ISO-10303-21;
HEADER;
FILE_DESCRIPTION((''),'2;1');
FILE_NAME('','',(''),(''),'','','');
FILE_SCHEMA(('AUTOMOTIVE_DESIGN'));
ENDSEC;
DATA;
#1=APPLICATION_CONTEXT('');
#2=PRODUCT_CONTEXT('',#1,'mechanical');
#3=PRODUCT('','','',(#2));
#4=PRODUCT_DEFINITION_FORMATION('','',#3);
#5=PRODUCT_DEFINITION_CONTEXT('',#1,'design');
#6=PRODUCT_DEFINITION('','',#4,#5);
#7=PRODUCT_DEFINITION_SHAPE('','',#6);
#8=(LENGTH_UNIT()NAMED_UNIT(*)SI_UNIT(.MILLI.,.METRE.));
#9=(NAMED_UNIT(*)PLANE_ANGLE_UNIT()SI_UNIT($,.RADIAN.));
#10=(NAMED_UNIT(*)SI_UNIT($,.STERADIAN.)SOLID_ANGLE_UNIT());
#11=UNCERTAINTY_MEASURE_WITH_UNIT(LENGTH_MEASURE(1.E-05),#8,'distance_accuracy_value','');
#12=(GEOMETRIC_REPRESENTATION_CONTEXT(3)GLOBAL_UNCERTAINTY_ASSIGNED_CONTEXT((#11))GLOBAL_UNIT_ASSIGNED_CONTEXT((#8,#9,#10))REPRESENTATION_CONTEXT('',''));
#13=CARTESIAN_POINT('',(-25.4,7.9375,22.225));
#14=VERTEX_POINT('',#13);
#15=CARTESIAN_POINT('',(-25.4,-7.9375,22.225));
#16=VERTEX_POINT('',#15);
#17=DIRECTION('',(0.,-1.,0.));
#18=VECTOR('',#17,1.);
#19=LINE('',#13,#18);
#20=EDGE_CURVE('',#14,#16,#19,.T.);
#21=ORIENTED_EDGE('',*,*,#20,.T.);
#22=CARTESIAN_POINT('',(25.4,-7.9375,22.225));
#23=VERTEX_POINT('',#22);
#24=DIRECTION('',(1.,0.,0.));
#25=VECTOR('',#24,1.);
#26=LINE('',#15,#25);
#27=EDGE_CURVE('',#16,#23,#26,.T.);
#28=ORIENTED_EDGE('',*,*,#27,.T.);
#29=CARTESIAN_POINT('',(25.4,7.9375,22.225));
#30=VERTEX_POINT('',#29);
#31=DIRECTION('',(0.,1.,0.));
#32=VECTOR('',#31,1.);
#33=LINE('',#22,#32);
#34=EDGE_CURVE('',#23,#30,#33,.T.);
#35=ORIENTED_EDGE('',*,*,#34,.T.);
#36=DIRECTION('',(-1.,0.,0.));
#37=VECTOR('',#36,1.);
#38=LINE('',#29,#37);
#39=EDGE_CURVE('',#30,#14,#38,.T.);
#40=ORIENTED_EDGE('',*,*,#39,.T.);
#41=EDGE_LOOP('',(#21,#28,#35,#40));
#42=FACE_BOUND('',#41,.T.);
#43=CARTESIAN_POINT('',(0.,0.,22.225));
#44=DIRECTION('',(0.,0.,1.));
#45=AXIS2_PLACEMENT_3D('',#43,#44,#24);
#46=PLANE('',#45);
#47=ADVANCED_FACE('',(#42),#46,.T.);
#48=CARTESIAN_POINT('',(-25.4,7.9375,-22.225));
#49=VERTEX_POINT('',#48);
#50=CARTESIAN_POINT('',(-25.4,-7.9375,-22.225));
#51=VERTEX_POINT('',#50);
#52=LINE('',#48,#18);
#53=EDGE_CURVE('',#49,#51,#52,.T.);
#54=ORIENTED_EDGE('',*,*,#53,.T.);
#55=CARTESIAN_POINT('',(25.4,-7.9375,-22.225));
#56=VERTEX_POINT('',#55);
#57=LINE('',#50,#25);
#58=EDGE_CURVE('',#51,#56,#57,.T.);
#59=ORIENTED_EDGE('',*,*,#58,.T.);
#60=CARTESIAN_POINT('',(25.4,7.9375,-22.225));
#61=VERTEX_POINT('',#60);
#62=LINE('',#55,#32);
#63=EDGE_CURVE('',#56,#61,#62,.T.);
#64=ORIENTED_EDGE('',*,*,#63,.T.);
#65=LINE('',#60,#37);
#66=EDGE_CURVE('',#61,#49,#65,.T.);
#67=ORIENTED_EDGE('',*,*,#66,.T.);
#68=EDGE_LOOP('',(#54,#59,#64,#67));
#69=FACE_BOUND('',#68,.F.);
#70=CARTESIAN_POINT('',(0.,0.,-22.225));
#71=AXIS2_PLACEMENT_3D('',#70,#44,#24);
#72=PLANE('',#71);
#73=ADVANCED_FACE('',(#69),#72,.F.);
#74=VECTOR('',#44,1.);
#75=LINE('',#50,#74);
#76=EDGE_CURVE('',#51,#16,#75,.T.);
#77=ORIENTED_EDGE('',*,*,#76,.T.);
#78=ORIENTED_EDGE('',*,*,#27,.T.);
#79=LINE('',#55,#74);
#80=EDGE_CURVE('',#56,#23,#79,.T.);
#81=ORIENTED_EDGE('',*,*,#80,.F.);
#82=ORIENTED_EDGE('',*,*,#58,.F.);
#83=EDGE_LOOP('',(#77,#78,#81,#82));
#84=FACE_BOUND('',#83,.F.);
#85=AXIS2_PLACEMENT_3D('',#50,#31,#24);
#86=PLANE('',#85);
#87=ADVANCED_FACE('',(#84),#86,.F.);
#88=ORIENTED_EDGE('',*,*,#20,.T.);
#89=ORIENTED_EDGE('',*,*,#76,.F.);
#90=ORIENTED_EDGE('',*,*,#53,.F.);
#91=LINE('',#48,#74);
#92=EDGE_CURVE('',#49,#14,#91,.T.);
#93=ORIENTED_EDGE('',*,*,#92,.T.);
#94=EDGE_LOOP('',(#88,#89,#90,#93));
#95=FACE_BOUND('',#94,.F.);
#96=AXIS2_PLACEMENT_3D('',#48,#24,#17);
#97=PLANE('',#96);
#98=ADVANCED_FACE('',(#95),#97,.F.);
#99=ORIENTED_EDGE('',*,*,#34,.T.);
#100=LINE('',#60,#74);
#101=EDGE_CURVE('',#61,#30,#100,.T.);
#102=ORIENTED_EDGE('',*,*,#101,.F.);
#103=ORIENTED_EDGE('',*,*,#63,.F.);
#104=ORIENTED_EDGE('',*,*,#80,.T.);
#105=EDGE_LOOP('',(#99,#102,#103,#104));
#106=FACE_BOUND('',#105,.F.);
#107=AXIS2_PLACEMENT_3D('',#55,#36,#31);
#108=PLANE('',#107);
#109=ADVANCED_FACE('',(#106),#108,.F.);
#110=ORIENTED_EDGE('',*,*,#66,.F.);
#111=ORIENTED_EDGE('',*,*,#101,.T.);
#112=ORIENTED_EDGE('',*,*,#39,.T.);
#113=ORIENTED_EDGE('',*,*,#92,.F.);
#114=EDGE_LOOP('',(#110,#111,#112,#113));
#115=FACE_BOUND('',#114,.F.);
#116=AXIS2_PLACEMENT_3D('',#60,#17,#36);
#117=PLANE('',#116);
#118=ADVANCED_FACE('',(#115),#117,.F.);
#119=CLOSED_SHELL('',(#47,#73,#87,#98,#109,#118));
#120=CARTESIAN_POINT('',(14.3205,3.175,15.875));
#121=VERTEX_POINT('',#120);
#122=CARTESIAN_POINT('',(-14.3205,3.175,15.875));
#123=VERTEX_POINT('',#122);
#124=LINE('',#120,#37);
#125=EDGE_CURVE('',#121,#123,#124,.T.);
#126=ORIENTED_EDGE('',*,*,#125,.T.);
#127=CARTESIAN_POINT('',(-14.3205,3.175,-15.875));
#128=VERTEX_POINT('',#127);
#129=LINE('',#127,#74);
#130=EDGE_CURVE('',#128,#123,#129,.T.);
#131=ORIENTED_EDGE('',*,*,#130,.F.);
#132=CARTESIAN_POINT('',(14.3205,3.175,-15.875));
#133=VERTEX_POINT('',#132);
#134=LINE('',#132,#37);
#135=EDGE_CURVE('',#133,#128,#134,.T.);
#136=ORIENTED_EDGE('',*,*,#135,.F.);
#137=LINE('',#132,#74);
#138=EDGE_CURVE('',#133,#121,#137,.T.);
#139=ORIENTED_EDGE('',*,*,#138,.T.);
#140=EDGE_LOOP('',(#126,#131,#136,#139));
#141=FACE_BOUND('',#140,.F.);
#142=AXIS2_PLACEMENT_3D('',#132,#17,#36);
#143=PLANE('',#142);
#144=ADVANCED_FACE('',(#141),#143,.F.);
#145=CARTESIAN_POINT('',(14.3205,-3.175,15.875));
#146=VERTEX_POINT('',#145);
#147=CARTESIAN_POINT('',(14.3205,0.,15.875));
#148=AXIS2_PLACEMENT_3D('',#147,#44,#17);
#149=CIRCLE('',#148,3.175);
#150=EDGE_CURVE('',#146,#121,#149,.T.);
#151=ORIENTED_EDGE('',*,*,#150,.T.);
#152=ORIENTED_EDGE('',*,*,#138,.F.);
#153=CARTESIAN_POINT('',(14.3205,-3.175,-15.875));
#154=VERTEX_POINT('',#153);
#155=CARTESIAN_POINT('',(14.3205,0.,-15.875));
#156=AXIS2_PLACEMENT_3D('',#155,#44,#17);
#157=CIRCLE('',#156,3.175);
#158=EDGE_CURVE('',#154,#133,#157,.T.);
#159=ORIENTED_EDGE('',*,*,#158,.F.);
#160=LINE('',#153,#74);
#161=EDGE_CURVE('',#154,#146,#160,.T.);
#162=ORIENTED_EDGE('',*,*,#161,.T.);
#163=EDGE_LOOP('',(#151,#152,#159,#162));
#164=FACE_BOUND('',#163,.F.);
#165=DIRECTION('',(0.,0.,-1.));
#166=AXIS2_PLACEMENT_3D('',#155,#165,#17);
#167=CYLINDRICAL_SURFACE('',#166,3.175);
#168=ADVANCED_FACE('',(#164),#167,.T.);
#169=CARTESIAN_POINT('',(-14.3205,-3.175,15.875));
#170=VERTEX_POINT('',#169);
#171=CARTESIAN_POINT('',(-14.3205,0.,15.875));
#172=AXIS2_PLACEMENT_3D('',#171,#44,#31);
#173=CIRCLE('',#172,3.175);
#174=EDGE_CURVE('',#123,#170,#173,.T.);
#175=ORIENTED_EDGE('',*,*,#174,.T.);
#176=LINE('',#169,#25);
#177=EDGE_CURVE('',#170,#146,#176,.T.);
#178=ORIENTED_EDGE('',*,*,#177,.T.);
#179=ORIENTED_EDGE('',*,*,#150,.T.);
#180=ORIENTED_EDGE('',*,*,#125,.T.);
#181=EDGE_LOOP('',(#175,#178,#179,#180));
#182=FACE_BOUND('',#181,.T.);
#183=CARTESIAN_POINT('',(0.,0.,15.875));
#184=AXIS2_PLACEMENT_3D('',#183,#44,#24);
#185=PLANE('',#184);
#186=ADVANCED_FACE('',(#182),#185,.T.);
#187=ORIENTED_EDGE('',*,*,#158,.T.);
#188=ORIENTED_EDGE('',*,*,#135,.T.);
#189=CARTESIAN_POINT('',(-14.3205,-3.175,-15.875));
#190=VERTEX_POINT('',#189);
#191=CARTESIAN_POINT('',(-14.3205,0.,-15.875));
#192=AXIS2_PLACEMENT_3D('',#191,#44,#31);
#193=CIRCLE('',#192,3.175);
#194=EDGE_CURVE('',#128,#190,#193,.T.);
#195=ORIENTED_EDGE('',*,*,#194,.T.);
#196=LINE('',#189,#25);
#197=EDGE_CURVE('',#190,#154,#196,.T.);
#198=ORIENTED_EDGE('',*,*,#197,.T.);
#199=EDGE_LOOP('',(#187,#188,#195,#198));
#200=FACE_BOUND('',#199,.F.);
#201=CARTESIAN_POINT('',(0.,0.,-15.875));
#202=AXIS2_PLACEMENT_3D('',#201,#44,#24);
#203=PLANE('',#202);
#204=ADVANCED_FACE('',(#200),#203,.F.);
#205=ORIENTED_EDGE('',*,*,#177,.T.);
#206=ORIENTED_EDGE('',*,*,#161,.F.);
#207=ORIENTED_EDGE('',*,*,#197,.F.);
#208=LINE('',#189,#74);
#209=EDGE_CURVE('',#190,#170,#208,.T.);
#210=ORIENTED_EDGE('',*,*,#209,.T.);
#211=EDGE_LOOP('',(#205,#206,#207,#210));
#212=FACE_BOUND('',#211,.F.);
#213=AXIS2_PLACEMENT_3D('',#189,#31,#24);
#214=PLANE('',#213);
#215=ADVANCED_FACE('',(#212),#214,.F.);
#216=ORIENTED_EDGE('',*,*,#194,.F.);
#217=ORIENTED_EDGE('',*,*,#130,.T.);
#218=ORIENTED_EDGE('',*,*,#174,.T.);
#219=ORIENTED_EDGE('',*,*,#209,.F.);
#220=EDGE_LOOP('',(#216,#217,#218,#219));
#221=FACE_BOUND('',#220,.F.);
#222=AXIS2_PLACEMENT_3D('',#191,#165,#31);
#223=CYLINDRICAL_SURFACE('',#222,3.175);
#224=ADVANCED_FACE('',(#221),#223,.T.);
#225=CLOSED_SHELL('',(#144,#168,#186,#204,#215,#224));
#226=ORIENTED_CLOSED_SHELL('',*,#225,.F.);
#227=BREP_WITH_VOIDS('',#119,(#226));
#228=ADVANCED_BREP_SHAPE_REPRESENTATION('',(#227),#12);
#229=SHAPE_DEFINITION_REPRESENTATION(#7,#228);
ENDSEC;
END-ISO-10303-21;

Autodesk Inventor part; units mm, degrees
ref_plane "YZ Plane" through (0, 0, 0) normal (1, 0, 0) x (0, 1, 0)
ref_plane "XZ Plane" through (0, 0, 0) normal (0, 1, 0) x (-1, 0, 0)
ref_plane "XY Plane" through (0, 0, 0) normal (0, 0, 1) x (1, 0, 0)
sketch "Sketch1" plane through (0, 0, -15.875) normal (0, 0, 1) x (1, 0, 0)
  line L0 (-14.3205, -3.175) -> (14.3205, -3.175)
  arc A0 (14.3205, -3.175) -> (14.3205, 3.175) centre (14.3205, 0) ccw
  line L1 (14.3205, 3.175) -> (-14.3205, 3.175)
  arc A1 (-14.3205, 3.175) -> (-14.3205, -3.175) centre (-14.3205, 0) ccw
  line L2 (-14.3205, -3.175) -> (-14.3205, -3.175)
sketch "Sketch2" plane through (0, 0, -22.225) normal (0, 0, 1) x (1, 0, 0)
  line L0 (-25.4, -7.9375) -> (25.4, -7.9375)
  line L1 (25.4, -7.9375) -> (25.4, 7.9375)
  line L2 (25.4, 7.9375) -> (-25.4, 7.9375)
  line L3 (-25.4, 7.9375) -> (-25.4, -7.9375)
  line L4 (-25.4, -7.9375) -> (25.4, 7.9375) construction
  line L5 (25.4, -7.9375) -> (-25.4, 7.9375) construction
  point P0 (0, 0)
extrude "Extrusion1" add sketch "Sketch2" along normal blind 44.45
extrude "Extrusion2" cut sketch "Sketch1" along normal blind 31.75
properties part number "Single_Mode_Rect"
